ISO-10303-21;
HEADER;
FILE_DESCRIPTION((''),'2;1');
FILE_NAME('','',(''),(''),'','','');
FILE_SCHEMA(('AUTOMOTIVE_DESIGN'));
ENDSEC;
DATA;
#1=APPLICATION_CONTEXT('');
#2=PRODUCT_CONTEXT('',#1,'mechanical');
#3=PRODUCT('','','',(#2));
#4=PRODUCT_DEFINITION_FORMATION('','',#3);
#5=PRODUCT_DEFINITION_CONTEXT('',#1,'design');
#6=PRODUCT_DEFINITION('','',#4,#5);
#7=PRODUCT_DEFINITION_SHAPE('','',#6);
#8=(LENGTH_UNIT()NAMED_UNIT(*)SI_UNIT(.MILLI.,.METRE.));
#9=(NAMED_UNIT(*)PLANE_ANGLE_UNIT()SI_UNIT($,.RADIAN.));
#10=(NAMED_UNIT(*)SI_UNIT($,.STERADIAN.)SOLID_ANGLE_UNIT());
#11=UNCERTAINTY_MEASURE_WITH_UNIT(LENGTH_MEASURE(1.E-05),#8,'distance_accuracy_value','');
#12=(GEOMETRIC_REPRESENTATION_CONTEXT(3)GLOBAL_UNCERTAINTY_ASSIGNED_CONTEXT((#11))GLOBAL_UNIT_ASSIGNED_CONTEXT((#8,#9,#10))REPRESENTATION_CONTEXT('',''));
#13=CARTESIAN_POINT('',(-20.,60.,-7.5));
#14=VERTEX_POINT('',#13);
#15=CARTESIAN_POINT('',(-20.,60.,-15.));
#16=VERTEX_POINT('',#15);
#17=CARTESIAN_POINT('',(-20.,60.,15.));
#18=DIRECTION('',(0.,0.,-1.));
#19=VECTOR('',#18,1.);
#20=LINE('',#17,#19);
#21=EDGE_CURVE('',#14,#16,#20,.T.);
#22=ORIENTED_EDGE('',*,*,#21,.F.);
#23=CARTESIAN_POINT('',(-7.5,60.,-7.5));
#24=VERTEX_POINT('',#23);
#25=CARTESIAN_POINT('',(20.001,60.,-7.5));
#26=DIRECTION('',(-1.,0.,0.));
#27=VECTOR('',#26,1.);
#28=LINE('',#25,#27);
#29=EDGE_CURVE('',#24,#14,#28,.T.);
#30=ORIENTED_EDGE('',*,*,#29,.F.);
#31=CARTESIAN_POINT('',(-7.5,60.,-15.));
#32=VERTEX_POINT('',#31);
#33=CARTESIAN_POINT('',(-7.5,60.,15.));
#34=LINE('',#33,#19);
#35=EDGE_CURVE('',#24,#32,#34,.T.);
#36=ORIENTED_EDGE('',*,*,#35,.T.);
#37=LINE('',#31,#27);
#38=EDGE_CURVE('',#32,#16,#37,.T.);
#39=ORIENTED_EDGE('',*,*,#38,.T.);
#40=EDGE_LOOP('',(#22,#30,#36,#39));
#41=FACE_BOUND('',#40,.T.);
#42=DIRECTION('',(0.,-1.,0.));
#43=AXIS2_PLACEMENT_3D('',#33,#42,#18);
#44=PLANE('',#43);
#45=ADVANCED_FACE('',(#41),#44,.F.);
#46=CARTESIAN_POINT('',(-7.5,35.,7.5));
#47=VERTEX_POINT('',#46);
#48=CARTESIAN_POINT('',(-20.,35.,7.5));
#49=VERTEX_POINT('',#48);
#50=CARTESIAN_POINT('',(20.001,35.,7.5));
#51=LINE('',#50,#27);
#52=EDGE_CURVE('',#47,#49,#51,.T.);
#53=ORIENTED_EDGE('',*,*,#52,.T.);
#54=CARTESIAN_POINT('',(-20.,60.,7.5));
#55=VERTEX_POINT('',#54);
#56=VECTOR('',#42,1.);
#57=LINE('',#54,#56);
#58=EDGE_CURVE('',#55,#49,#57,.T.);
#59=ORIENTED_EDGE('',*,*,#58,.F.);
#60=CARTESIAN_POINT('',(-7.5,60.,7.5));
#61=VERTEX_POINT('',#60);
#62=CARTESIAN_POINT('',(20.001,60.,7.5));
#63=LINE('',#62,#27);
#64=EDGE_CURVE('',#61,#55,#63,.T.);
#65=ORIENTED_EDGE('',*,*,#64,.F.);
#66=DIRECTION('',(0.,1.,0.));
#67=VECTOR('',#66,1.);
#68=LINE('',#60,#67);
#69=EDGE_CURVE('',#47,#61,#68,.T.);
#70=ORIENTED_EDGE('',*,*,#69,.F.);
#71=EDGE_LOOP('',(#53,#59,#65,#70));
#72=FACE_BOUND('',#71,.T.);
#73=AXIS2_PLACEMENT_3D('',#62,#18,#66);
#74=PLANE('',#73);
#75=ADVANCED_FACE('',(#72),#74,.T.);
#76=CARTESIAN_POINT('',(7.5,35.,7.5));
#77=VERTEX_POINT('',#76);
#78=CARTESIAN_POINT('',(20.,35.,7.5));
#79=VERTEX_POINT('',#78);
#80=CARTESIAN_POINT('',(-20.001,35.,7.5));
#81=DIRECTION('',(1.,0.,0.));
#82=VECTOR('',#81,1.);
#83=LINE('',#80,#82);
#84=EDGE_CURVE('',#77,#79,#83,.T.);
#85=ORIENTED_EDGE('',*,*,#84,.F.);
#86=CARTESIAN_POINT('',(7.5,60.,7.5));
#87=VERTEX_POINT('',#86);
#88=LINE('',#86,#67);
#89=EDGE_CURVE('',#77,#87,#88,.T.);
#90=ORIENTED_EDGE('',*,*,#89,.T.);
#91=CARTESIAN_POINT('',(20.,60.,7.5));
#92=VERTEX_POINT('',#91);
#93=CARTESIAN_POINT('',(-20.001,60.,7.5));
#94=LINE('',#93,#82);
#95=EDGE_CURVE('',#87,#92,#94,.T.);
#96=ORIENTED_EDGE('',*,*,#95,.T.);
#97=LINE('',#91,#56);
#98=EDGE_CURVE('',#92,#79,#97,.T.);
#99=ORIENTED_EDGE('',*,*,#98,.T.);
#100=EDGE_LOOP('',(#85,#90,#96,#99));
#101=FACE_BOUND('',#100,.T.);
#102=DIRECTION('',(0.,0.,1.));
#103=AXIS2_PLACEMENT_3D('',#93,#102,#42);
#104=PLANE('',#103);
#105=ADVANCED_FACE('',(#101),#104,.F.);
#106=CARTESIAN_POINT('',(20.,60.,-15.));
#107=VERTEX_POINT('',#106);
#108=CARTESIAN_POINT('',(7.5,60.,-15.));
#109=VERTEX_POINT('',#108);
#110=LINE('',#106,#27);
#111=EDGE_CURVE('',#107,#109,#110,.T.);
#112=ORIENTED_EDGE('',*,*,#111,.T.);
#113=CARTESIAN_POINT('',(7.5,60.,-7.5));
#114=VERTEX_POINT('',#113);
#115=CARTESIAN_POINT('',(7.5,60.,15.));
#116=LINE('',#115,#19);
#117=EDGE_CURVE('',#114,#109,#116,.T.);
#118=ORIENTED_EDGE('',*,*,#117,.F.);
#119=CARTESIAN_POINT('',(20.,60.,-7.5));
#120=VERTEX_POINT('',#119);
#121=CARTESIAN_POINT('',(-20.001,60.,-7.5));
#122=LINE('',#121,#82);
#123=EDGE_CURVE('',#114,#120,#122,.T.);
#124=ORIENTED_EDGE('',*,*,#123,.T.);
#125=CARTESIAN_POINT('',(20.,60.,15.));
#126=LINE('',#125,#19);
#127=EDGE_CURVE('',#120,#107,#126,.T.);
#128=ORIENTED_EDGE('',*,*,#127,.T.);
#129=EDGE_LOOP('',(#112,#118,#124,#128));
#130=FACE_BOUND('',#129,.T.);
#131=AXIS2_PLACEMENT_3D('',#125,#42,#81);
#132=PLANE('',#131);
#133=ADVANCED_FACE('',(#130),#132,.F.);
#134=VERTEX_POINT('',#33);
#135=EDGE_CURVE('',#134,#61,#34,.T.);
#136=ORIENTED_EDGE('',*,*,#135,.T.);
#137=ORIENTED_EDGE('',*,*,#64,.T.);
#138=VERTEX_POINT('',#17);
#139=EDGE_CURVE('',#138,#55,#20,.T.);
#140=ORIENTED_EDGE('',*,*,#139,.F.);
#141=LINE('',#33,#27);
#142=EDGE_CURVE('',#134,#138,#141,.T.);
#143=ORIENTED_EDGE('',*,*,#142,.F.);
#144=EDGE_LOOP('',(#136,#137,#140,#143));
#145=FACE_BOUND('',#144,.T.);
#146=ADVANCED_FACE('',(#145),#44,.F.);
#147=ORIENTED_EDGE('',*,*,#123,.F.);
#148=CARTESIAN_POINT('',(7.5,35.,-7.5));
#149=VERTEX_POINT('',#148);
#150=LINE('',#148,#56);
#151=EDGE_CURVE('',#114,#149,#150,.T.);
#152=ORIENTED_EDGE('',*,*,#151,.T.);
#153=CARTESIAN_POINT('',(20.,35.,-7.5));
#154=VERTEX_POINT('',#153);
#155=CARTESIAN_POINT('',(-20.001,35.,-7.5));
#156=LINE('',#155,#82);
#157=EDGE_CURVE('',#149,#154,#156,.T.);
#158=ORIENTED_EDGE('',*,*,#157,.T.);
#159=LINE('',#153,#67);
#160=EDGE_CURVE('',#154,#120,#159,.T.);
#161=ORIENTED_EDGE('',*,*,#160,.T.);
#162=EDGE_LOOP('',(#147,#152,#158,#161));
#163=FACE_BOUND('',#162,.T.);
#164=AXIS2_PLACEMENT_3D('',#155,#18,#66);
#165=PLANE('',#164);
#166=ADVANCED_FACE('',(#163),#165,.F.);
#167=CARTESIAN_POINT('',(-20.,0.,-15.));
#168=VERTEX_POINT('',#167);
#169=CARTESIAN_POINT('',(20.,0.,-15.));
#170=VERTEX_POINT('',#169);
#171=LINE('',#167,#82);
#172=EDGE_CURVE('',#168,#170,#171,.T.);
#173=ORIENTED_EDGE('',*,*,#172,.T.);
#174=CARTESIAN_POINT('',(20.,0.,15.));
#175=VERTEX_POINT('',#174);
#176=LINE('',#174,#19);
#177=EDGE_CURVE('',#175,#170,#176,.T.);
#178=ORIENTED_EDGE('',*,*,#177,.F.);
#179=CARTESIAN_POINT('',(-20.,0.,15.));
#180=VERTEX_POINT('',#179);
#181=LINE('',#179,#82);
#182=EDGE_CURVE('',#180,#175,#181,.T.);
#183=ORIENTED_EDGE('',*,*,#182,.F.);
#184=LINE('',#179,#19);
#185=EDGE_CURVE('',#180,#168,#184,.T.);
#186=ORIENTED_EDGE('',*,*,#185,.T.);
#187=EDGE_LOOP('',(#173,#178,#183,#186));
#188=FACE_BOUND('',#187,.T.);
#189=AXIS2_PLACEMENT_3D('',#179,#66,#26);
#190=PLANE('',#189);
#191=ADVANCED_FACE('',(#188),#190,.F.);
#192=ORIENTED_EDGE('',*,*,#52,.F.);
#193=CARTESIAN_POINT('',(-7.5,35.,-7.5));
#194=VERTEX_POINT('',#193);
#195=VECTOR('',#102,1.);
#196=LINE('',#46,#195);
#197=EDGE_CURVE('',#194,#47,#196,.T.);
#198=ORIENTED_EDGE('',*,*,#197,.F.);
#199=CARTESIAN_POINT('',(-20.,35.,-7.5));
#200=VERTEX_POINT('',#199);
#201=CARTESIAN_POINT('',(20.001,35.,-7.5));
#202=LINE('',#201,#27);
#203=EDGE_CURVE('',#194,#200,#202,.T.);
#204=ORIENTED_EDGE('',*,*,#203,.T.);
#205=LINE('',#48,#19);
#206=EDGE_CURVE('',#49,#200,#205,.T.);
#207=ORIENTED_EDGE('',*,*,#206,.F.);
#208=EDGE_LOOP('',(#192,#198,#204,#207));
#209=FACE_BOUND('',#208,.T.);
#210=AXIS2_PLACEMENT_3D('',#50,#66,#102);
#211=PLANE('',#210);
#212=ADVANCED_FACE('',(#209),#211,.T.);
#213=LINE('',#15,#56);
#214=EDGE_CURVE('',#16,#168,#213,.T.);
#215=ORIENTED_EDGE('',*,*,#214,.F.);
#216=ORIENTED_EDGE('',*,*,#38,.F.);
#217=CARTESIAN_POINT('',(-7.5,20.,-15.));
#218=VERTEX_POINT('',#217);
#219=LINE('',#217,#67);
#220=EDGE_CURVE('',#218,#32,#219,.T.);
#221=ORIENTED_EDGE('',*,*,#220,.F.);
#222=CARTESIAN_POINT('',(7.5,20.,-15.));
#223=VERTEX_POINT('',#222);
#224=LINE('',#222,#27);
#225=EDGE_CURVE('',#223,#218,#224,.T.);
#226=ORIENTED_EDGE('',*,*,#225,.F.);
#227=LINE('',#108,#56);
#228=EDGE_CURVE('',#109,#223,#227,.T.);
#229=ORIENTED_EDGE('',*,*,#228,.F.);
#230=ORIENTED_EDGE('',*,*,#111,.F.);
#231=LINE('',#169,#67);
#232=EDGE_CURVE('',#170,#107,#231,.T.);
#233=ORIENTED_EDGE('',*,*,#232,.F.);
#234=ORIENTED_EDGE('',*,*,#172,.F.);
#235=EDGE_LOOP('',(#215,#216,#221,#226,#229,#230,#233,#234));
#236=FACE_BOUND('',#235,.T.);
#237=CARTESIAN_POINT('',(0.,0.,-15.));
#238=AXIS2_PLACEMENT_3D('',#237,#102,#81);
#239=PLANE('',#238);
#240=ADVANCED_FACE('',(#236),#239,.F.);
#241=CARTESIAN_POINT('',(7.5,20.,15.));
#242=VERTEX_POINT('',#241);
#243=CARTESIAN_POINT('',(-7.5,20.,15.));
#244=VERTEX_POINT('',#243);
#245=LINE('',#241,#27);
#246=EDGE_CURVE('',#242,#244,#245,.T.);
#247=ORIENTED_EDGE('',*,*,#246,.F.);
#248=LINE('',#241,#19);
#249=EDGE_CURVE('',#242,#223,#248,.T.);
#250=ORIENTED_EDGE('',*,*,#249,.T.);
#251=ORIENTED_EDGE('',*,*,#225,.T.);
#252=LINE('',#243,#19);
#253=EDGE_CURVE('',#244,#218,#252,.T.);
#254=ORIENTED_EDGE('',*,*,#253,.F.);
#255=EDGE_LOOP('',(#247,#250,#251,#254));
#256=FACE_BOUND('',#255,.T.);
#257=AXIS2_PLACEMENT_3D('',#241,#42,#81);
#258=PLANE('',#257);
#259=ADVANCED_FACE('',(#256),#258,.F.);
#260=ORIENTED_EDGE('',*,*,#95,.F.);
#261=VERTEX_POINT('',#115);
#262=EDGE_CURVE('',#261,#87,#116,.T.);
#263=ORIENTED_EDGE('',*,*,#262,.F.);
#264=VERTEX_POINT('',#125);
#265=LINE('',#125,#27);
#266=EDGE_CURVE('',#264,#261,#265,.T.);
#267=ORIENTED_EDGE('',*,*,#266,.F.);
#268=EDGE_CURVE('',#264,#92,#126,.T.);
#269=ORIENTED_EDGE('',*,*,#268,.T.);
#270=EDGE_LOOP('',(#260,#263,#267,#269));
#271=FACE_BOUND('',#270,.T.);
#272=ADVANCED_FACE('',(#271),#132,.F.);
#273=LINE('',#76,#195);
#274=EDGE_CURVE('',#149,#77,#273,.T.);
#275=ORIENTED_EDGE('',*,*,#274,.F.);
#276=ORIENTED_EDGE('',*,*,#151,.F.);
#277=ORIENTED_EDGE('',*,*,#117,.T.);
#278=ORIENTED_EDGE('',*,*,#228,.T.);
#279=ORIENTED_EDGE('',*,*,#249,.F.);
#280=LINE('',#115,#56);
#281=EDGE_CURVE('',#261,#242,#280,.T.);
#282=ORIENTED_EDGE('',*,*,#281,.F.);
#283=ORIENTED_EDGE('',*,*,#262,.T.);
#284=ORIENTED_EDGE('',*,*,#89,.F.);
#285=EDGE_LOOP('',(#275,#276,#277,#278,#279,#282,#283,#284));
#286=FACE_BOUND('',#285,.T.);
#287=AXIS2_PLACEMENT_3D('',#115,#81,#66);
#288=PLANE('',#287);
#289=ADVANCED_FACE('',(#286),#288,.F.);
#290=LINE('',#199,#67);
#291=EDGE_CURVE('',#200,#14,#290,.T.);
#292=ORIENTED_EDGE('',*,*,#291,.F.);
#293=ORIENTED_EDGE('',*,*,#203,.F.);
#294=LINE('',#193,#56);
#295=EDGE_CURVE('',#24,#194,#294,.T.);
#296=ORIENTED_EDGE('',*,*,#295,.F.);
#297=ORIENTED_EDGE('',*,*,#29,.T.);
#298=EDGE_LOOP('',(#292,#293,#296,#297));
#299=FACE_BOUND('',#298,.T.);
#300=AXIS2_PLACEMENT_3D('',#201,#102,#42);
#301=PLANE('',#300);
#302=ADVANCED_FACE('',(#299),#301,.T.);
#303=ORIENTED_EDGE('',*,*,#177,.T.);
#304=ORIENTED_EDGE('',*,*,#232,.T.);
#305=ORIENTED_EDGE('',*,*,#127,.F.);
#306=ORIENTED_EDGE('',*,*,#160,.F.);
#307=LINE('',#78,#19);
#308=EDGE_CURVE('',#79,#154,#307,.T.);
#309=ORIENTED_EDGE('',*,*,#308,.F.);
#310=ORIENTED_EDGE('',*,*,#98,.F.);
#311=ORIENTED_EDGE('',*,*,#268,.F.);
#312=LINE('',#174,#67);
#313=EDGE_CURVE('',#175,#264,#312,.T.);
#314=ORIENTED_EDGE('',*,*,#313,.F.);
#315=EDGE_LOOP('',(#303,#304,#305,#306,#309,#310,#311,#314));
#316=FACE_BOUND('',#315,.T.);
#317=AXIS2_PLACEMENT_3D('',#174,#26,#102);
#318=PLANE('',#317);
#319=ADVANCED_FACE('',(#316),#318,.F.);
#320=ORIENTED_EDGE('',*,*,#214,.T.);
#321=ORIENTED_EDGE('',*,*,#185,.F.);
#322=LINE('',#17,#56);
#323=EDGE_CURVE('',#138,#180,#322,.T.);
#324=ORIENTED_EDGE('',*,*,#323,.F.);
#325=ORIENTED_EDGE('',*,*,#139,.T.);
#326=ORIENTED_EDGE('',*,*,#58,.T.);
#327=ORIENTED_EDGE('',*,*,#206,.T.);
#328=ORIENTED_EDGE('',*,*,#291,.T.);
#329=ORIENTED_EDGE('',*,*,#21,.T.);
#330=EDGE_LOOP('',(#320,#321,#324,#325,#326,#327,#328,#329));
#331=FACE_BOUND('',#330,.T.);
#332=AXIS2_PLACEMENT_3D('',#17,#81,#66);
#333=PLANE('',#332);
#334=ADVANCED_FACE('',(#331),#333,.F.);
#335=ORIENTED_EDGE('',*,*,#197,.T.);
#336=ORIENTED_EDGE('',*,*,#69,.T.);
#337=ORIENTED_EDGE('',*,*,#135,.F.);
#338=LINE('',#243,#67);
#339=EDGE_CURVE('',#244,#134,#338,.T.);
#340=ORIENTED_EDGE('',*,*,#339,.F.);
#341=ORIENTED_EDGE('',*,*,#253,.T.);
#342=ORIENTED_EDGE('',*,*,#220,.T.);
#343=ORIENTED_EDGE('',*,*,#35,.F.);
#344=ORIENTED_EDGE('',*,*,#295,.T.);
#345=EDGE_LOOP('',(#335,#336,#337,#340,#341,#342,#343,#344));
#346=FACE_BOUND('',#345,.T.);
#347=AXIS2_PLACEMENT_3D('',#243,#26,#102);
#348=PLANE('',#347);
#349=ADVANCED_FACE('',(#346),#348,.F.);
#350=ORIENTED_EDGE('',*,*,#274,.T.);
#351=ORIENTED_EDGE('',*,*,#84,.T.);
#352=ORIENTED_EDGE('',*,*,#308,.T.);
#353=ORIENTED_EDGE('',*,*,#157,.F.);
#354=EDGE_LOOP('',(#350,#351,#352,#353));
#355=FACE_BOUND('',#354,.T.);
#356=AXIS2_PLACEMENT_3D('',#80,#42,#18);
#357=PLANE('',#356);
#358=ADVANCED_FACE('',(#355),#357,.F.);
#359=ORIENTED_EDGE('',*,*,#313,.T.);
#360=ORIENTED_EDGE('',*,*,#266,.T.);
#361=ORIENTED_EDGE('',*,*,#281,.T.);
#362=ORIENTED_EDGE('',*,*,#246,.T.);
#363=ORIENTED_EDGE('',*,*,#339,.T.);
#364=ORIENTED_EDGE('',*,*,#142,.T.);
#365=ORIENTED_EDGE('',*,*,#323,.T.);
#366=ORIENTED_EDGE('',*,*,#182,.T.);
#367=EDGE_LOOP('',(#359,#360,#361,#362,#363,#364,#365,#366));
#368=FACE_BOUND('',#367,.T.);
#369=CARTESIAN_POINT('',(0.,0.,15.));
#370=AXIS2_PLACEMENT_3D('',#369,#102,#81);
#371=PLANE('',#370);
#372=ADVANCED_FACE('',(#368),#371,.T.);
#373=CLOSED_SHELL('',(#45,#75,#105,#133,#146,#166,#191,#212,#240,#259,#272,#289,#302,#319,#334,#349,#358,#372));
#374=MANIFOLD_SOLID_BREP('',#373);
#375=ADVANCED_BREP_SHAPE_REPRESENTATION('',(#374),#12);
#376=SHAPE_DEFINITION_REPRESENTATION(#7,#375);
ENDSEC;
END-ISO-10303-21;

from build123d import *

# Parameters (mm, degrees)
SALIENTE_EXTRUIR1_DEPTH = 15
CORTAR_EXTRUIR1_REACH   = 75.655
CROQUIS2_W              = 15
CROQUIS2_H              = 25


with BuildPart() as part:
    # Croquis1 → Saliente-Extruir1 (new, symmetric)
    with BuildSketch(Plane.XY):
        Polygon((-20, 0), (20, 0), (20, 60), (7.5, 60), (7.5, 20), (-7.5, 20), (-7.5, 60), (-20, 60), align=None)
    extrude(amount=SALIENTE_EXTRUIR1_DEPTH, both=True)

    # Croquis2 → Cortar-Extruir1 (cut, up to next)
    with BuildSketch(Plane(origin=(20, 0, 0), x_dir=(0, 0, -1), z_dir=(1, 0, 0)), mode=Mode.PRIVATE) as cortar_extruir1_sk1:
        with Locations((0, 47.5)):
            Rectangle(CROQUIS2_W, CROQUIS2_H)
    cortar_extruir1_tool1 = extrude(cortar_extruir1_sk1.sketch, amount=-CORTAR_EXTRUIR1_REACH, mode=Mode.PRIVATE) & part.part
    cortar_extruir1 = cortar_extruir1_tool1.solids().sort_by_distance((20, 47.5, 0))[0]
    add(cortar_extruir1, mode=Mode.SUBTRACT)

    # Simetría1: Cortar-Extruir1 across plane
    add(cortar_extruir1.mirror(Plane(origin=(0, 0, 0), x_dir=(0, 0, 1), z_dir=(1, 0, 0))), mode=Mode.SUBTRACT)


solid = part.part
